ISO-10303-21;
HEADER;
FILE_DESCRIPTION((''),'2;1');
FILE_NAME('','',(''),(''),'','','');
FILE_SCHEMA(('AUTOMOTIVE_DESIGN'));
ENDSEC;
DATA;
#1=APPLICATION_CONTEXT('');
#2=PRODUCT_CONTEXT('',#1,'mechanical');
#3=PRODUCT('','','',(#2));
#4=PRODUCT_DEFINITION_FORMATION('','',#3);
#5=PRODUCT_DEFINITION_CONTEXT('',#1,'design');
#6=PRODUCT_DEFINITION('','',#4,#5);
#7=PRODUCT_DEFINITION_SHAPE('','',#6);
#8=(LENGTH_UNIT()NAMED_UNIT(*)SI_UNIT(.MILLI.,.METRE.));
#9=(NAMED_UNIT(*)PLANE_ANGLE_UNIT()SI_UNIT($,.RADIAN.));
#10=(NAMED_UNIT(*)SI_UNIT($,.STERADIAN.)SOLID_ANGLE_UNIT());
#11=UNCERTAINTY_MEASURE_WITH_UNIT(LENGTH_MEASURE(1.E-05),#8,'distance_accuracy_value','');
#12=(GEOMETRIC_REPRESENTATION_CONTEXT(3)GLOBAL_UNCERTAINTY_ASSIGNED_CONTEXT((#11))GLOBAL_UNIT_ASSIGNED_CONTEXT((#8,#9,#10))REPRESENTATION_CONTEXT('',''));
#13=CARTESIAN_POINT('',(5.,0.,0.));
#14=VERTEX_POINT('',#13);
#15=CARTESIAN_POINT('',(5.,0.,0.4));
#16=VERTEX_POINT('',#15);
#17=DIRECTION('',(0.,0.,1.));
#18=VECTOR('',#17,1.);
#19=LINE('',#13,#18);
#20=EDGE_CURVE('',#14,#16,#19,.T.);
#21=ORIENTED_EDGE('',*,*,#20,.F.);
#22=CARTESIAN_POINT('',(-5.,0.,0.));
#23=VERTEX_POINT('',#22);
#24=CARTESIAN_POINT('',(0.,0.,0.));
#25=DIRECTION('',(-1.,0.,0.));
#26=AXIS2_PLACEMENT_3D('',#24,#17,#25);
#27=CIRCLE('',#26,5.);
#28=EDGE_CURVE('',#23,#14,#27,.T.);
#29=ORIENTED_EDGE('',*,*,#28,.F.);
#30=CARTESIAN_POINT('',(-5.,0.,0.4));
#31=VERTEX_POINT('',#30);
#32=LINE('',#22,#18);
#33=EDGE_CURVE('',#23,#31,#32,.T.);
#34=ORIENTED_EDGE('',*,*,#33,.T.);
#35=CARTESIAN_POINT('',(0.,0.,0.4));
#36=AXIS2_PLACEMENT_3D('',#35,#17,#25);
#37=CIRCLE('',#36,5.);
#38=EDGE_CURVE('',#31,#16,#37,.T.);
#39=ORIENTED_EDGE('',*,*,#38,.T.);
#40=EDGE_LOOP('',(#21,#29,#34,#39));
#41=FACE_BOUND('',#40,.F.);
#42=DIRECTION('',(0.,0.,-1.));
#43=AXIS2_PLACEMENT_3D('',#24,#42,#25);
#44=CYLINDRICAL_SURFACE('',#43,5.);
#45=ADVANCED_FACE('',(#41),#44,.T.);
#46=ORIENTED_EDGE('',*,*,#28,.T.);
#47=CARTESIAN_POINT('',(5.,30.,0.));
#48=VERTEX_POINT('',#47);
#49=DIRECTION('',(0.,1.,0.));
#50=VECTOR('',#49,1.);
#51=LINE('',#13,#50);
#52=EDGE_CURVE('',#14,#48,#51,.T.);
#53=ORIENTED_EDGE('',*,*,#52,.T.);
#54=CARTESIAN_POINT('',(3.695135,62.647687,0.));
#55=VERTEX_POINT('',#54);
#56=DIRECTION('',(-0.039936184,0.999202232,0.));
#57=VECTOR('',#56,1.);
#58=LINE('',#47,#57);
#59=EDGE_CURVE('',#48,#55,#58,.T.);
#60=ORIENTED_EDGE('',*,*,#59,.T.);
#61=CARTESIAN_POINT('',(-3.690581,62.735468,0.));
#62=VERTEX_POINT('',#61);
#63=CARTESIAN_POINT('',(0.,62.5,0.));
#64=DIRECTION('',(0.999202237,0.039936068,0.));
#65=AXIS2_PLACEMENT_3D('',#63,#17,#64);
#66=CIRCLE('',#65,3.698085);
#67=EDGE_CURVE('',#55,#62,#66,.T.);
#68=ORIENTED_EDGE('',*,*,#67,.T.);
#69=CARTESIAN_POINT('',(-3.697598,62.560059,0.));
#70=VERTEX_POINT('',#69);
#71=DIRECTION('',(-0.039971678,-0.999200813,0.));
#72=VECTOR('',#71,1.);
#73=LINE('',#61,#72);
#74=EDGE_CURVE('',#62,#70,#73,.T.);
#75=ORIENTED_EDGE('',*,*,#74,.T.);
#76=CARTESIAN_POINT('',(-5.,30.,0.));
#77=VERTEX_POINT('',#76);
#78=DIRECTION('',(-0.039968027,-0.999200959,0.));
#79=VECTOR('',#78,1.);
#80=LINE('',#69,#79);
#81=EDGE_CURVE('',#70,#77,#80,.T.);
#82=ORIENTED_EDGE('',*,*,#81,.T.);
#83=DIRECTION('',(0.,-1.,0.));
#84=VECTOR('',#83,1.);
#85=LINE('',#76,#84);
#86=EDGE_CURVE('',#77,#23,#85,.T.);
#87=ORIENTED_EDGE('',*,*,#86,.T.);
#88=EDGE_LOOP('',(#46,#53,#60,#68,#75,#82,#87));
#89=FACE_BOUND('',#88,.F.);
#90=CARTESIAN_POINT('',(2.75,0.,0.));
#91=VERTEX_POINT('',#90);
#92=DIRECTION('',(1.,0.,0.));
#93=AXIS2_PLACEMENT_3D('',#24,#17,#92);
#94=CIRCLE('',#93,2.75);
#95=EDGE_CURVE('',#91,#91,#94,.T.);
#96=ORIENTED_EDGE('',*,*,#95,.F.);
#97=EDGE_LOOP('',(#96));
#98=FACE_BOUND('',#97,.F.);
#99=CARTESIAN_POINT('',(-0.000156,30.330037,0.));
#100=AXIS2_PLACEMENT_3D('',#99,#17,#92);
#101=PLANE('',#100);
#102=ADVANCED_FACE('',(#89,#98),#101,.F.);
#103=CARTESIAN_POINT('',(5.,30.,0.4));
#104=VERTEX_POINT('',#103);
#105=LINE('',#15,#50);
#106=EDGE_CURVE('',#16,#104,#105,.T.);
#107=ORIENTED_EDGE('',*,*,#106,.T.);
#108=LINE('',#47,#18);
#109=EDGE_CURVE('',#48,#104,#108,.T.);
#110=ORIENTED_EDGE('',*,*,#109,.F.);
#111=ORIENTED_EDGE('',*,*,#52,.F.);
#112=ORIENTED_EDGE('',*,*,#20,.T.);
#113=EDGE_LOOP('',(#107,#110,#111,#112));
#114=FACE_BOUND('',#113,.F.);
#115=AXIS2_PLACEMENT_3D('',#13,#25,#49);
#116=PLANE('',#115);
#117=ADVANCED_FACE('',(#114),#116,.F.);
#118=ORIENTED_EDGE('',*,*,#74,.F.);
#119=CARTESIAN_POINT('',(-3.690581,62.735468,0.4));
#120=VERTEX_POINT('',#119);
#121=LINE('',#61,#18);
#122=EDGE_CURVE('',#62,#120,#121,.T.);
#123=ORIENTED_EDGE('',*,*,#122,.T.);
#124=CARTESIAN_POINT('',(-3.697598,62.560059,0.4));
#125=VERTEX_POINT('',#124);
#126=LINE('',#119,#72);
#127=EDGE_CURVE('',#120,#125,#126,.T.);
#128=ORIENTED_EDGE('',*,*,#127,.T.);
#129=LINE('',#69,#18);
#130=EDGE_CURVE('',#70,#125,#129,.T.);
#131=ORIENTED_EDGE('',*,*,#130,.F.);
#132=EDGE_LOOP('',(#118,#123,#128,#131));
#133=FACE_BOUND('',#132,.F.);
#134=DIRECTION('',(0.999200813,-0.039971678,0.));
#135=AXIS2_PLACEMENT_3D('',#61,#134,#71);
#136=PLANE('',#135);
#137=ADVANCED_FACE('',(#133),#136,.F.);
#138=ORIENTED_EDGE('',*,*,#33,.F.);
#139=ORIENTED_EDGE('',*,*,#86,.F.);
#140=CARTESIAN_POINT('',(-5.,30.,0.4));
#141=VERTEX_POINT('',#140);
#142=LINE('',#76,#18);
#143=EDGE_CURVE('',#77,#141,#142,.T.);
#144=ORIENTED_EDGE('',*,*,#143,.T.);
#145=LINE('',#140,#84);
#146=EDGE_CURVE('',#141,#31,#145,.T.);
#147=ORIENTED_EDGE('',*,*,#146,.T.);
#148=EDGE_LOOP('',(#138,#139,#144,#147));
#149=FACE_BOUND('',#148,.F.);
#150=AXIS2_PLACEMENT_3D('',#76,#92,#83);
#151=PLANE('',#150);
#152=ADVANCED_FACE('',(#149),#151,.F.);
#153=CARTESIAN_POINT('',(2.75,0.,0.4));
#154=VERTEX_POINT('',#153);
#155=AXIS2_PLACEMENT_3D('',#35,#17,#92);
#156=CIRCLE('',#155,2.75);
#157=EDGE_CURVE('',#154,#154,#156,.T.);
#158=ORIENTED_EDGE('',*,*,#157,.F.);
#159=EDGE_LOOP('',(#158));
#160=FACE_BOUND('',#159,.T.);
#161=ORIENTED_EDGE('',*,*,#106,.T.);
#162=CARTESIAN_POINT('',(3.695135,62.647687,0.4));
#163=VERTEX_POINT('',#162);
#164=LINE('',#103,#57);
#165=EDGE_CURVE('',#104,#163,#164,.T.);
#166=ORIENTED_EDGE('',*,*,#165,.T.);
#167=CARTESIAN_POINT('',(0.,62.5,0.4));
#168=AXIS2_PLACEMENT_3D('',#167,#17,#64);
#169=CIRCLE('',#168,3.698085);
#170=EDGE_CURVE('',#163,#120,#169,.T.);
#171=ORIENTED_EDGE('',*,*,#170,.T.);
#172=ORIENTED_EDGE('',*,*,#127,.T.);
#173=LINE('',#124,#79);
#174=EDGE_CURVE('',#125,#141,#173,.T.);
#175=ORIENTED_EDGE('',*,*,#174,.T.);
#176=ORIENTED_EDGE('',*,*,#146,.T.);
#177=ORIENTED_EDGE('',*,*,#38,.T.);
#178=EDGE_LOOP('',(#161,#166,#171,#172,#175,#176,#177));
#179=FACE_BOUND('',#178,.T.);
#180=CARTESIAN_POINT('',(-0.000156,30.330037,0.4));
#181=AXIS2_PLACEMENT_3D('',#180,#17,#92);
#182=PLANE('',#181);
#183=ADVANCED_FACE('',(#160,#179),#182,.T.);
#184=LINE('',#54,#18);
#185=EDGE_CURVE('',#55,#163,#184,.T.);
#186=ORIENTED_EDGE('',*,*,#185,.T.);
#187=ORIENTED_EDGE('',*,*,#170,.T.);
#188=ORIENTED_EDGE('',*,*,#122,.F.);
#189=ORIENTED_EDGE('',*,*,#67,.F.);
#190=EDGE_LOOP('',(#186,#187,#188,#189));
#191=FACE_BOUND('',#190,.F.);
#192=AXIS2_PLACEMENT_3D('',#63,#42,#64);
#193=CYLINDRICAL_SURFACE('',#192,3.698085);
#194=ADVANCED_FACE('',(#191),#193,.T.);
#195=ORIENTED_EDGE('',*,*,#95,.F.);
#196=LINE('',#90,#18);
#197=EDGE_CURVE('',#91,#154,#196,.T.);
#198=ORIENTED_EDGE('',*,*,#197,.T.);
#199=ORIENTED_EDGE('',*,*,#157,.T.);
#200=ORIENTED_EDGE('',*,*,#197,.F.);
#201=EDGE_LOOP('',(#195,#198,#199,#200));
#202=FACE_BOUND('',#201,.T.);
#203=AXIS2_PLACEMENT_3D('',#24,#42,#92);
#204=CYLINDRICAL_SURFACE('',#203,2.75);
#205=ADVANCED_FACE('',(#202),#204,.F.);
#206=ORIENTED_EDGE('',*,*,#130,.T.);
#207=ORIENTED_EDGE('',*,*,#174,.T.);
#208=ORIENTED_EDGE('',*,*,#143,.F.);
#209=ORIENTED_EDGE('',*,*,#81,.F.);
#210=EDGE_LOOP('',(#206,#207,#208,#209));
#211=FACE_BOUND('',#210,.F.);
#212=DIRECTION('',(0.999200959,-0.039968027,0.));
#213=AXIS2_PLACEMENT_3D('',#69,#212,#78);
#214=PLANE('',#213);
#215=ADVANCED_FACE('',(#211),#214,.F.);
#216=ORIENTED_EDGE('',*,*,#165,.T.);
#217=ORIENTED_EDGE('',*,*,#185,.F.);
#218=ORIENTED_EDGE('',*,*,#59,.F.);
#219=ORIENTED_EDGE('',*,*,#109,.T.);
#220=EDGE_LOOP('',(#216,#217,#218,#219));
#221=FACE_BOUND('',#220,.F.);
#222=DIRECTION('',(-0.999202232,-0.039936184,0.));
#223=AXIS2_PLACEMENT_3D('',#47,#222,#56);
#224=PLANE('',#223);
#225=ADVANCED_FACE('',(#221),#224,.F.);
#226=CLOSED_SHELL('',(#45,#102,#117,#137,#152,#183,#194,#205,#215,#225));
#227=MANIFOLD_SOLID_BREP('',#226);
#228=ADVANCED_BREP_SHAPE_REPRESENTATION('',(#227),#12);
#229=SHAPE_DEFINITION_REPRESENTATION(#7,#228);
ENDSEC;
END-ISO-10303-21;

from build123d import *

# Parameters (mm, degrees)
F0_R     = 2.75
F1_DEPTH = 0.4


with BuildPart() as f1:
    # F0 (on Top) → F1 (new body)
    with BuildSketch(Plane.XY):
        with BuildLine():
            Line((-5, 30), (-5, 0))
            ThreePointArc((-5, 0), (0, -5), (5, 0))
            Line((5, 0), (5, 30))
            Line((5, 30), (3.695135, 62.647687))
            ThreePointArc((3.695135, 62.647687), (0.043949, 66.197824), (-3.690581, 62.735468))
            Line((-3.690581, 62.735468), (-3.697598, 62.560059))
            Line((-3.697598, 62.560059), (-5, 30))
        make_face()
        Circle(F0_R, mode=Mode.SUBTRACT)
    extrude(amount=F1_DEPTH)


solid = f1.part
